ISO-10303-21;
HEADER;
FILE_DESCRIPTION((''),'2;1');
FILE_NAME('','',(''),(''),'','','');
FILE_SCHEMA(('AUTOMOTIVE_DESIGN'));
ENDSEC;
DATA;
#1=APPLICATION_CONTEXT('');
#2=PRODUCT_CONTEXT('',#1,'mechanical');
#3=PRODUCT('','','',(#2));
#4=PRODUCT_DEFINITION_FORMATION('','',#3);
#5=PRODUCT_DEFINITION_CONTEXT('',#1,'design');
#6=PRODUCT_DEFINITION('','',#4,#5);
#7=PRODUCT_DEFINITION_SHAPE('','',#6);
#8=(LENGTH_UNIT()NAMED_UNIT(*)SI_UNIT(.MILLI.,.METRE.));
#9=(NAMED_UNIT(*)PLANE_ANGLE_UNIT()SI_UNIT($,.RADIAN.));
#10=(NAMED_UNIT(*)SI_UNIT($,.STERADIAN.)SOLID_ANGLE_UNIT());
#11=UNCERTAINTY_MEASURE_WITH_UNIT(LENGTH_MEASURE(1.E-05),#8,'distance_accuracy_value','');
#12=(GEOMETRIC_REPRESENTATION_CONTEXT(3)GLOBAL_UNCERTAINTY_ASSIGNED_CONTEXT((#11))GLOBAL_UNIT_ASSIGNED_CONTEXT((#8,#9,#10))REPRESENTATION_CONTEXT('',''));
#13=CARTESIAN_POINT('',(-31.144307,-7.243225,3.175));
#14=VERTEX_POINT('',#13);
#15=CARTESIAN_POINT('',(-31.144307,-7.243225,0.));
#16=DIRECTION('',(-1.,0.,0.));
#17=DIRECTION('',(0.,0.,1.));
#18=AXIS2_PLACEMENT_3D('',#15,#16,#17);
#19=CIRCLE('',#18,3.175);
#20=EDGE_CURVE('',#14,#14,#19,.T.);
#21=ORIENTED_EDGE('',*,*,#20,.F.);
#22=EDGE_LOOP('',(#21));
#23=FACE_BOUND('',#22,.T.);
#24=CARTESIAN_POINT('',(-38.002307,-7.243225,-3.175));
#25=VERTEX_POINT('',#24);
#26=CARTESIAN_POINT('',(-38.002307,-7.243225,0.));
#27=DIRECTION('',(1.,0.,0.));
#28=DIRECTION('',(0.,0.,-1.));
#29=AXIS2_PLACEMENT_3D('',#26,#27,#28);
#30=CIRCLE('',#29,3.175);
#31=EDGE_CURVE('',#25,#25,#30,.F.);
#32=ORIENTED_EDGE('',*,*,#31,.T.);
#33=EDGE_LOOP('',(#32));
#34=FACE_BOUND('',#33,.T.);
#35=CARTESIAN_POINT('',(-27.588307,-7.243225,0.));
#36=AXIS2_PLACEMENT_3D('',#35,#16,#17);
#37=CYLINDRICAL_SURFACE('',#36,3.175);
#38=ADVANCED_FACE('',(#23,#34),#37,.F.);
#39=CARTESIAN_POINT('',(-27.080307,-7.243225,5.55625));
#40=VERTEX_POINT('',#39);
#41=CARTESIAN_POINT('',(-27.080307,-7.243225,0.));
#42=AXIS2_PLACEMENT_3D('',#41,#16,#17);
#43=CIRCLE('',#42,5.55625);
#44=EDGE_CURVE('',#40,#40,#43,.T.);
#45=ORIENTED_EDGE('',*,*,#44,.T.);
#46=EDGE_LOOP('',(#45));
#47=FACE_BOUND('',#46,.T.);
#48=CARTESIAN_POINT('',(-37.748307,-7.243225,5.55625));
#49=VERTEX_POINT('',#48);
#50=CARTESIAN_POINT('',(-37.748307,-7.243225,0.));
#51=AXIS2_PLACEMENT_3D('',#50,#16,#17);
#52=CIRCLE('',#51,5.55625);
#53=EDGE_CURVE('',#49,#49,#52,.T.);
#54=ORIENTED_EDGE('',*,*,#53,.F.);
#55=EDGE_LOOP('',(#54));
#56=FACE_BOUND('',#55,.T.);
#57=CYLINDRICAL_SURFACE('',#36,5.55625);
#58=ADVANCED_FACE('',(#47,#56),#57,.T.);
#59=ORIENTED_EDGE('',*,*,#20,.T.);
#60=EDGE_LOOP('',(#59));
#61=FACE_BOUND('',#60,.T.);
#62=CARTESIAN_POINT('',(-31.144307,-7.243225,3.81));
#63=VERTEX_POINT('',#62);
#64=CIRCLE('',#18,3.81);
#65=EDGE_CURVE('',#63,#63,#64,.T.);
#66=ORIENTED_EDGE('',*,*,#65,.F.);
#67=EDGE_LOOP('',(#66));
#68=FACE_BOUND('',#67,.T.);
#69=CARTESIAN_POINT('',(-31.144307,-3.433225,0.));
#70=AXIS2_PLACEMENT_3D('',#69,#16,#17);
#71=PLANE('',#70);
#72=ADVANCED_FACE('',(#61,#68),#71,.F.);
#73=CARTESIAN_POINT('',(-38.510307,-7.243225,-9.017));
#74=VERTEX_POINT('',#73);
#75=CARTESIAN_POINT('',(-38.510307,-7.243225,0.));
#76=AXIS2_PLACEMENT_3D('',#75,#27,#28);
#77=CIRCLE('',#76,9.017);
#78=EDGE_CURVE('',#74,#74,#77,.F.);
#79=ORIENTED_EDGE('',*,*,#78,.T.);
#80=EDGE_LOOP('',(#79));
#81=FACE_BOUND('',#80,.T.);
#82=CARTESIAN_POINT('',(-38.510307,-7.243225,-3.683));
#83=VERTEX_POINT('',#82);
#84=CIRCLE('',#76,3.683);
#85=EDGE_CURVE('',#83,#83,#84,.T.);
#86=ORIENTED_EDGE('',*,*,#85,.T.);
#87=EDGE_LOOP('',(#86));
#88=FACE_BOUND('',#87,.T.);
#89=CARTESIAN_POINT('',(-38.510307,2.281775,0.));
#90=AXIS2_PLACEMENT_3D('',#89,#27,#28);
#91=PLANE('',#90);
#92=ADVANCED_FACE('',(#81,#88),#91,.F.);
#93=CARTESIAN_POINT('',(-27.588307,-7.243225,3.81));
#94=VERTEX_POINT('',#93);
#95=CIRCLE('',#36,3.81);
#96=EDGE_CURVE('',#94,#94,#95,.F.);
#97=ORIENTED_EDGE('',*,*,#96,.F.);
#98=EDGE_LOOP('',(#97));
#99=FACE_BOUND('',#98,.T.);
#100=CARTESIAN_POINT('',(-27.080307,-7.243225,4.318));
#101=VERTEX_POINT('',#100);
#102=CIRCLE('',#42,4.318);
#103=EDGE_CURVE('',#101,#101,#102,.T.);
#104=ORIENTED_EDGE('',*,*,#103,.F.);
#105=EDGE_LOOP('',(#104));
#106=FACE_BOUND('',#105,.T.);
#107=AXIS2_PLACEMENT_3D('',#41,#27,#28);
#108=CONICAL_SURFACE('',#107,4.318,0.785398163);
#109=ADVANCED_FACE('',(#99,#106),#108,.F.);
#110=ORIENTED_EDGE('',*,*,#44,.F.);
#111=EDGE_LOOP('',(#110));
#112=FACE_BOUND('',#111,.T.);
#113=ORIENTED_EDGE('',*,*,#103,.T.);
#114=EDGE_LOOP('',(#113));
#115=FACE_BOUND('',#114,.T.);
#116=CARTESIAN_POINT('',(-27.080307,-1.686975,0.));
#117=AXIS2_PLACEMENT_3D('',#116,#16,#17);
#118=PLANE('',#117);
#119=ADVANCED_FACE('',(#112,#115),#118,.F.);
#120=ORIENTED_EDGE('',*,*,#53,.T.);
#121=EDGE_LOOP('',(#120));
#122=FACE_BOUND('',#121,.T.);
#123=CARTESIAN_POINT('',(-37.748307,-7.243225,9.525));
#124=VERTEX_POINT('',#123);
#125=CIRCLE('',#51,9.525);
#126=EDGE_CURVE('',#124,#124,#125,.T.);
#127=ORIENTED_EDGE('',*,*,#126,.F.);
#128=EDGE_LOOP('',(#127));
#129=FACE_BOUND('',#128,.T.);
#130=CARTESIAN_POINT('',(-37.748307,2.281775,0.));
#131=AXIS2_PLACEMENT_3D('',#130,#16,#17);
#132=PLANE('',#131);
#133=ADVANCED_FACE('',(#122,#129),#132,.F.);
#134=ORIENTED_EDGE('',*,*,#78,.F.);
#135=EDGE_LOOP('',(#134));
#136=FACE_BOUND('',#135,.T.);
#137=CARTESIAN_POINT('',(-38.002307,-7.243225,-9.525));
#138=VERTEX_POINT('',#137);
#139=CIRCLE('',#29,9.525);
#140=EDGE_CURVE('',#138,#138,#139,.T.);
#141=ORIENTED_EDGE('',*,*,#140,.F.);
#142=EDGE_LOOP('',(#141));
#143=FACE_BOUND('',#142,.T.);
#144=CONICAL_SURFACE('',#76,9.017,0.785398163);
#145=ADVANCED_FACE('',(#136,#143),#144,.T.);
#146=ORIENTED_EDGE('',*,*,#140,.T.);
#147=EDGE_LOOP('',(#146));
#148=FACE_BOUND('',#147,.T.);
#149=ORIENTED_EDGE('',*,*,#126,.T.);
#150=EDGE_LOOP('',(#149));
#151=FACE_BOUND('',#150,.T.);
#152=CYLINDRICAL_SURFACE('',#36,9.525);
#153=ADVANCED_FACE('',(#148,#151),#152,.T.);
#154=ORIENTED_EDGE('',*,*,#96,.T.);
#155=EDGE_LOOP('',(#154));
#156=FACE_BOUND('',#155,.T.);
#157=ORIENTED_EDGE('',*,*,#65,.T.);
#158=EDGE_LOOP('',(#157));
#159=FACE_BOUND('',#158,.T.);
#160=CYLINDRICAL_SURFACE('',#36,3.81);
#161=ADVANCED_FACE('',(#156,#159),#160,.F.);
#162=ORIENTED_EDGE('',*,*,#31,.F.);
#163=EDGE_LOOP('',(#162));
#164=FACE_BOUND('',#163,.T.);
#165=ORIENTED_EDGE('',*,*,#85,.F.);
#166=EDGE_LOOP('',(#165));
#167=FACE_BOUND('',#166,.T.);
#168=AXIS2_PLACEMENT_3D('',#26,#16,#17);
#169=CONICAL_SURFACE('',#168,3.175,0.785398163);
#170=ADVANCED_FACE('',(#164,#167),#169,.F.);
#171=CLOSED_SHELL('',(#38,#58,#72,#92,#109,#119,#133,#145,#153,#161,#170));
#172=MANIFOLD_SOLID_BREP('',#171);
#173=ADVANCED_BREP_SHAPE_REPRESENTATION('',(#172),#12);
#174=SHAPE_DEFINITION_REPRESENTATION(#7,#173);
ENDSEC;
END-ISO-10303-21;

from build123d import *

# Parameters (mm, degrees)
CHAMFER1_SIZE = 0.508


with BuildPart() as part:
    # Sketch1 → Revolve1 (revolve)
    with BuildSketch(Plane.XY, mode=Mode.PRIVATE) as revolve1_sk:
        Polygon((-38.510306737, 2.281775494), (-37.748306737, 2.281775494), (-37.748306737, -1.686974506), (-33.430306737, -1.686974506), (-27.080306737, -1.686974506), (-27.080306737, -3.433224506), (-31.144306737, -3.433224506), (-31.144306737, -4.068224506), (-38.510306737, -4.068224506), align=None)
    revolve(revolve1_sk.sketch.rotate(Axis((-27.588306737, -7.243224506, 0), (1, 0, 0)), 90), axis=Axis((-27.588306737, -7.243224506, 0), (1, 0, 0)))

    # Chamfer1
    chamfer1_edges = [part.edges().sort_by_distance(p)[0] for p in [
        (-38.510306737, -7.243224506, -3.175),
        (-38.510306737, -7.243224506, -9.525),
        (-27.080306737, -7.243224506, -3.81),
    ]]
    chamfer(chamfer1_edges, length=CHAMFER1_SIZE)


solid = part.part
